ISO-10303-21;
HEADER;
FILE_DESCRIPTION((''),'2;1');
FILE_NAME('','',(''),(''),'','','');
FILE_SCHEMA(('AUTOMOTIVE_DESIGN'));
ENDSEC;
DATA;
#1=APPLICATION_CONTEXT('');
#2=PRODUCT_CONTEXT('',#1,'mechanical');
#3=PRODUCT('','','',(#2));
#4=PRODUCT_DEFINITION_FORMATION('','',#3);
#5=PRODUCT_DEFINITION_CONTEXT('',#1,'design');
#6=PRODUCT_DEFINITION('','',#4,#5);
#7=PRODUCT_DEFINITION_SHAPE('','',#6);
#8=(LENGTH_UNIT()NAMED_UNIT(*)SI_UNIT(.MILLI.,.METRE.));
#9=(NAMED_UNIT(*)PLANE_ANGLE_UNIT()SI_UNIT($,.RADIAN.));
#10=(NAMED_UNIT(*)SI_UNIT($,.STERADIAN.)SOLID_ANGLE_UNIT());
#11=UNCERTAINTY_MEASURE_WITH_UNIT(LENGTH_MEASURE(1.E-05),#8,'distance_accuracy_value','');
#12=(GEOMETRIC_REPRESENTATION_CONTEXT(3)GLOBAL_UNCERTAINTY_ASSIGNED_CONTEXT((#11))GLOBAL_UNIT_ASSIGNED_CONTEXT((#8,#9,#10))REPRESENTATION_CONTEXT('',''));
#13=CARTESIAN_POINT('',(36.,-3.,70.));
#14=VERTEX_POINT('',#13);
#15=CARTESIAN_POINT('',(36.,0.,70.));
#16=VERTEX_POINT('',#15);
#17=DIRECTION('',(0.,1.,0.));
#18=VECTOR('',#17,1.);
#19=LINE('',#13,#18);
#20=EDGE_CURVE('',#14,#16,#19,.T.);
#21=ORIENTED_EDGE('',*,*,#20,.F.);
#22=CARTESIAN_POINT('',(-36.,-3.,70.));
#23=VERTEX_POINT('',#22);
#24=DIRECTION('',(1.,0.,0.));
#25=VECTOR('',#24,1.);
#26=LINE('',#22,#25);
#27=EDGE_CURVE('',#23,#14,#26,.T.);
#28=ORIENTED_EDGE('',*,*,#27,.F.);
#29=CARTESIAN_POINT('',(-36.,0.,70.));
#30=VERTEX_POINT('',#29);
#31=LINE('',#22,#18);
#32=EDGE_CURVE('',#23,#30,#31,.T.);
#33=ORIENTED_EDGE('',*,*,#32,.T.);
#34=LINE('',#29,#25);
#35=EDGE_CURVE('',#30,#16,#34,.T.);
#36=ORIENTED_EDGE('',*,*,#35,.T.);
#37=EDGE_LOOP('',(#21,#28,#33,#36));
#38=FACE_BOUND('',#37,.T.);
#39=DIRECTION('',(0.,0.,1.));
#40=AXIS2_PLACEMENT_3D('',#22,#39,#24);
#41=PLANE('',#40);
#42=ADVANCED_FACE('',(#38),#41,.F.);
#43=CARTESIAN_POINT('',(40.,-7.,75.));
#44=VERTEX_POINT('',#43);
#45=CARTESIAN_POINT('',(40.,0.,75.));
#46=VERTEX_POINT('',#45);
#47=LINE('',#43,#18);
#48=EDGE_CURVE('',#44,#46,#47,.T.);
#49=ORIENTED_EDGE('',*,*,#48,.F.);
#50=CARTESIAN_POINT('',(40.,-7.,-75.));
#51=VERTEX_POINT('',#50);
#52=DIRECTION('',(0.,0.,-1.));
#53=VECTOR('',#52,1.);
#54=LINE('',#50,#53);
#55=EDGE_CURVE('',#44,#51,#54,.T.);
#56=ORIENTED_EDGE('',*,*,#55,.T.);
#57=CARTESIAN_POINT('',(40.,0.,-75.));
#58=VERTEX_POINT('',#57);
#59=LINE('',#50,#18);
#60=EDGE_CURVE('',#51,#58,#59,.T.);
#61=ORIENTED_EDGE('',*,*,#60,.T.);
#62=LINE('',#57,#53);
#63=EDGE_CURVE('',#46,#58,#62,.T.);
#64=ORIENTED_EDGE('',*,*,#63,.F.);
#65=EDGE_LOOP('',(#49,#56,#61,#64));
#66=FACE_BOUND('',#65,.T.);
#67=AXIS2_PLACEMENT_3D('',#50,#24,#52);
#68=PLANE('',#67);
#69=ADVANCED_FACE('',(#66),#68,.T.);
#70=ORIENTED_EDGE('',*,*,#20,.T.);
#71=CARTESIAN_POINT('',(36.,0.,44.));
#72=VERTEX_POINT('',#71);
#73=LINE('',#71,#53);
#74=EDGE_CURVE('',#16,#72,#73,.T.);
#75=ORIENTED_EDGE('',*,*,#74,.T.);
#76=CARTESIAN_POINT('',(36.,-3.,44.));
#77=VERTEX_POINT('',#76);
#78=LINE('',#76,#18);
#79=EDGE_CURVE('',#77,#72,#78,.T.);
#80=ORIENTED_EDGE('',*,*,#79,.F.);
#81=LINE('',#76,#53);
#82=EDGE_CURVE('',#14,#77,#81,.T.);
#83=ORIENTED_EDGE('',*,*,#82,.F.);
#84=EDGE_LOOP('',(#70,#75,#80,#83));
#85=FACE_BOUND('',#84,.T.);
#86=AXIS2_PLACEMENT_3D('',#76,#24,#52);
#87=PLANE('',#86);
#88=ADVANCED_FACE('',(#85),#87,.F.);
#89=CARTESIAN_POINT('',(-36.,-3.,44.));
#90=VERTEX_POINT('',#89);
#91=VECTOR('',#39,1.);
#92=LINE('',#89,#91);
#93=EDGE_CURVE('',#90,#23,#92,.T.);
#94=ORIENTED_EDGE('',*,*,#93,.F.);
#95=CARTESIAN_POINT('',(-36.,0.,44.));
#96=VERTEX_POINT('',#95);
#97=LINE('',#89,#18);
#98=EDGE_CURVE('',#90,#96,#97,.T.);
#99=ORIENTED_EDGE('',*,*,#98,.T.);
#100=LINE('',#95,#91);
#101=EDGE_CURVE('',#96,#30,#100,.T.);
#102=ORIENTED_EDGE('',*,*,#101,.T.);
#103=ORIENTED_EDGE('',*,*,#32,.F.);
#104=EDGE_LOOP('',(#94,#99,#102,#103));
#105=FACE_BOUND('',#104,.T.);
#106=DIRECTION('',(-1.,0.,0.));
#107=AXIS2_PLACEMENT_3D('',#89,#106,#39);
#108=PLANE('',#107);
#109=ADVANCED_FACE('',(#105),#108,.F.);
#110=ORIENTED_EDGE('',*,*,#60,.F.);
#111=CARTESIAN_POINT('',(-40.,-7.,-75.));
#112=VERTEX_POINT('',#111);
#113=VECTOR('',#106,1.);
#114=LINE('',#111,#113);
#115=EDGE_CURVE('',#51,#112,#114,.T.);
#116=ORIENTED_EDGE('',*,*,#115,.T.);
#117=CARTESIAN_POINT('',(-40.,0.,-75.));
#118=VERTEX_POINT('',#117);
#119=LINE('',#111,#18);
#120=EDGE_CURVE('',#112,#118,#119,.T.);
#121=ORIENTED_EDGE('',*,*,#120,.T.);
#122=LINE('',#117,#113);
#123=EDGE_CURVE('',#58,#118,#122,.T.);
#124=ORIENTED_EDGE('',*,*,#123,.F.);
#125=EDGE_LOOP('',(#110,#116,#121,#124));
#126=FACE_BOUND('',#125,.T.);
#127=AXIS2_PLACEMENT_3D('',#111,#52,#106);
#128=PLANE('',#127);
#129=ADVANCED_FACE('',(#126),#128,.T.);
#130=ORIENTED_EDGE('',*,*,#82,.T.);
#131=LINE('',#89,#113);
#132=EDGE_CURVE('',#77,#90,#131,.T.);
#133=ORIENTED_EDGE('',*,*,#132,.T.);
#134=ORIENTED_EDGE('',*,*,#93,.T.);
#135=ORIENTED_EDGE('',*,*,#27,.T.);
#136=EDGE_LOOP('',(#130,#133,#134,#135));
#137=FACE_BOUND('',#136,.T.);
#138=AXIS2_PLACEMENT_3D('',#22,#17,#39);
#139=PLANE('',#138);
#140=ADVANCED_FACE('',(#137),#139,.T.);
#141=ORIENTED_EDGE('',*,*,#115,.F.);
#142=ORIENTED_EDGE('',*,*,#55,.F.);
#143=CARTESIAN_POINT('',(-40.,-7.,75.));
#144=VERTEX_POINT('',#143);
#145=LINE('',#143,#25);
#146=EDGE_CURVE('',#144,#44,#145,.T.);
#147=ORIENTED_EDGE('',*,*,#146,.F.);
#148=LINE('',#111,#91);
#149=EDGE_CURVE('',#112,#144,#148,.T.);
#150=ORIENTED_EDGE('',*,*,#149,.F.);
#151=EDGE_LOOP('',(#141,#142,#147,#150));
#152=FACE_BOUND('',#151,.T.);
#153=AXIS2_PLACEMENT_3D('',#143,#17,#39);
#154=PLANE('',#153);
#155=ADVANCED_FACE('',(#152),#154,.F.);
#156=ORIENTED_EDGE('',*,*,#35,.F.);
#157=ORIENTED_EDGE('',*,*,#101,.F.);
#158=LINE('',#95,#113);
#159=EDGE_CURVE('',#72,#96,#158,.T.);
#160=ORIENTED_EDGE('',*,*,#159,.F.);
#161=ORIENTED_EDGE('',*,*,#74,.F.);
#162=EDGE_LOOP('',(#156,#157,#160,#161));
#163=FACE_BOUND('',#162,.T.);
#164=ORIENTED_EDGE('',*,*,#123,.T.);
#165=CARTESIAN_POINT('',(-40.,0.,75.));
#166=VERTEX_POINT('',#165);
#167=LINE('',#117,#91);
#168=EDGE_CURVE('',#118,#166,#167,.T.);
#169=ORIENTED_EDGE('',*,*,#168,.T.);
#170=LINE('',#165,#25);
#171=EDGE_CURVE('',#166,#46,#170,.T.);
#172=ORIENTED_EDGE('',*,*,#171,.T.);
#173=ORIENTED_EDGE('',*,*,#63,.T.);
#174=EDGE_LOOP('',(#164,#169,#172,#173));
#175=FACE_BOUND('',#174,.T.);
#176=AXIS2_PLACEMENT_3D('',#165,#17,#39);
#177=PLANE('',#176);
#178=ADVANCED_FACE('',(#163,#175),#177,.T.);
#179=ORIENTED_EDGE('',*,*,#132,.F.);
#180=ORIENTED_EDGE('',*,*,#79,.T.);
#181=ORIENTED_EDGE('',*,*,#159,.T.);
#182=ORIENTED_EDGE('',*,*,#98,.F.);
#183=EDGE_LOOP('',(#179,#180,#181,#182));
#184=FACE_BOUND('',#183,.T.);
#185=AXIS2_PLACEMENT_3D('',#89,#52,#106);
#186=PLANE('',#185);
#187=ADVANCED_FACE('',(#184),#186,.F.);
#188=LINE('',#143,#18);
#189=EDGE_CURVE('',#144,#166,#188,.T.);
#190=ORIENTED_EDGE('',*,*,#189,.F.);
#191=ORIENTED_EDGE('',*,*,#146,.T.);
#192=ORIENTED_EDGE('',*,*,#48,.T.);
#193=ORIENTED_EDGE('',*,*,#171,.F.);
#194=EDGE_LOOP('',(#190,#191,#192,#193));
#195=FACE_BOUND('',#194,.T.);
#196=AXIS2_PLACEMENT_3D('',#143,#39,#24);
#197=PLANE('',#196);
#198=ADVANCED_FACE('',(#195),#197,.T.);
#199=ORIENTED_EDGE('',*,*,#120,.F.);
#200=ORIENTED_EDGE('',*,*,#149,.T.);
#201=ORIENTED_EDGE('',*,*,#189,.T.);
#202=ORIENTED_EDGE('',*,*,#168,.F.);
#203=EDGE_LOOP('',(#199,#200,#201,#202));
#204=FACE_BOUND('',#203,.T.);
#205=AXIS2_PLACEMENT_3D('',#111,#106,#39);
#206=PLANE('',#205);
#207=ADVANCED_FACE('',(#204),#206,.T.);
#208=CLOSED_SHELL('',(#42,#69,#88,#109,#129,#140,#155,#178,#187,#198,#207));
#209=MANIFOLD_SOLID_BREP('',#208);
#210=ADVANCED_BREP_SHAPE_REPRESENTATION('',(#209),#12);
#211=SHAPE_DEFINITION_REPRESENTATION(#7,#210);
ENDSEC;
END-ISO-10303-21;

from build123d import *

# Parameters (mm, degrees)
SKETCH1_W      = 80
SKETCH1_H      = 150
EXTRUDE1_DEPTH = 7
SKETCH3_W      = 72
SKETCH3_H      = 26
EXTRUDE2_DEPTH = 3


with BuildPart() as part:
    # Sketch1 → Extrude1 (new body)
    with BuildSketch(Plane(origin=(0, 0, 0), x_dir=(1, 0, 0), z_dir=(0, 1, 0))):
        Rectangle(SKETCH1_W, SKETCH1_H)
    extrude(amount=-EXTRUDE1_DEPTH)

    # Sketch3 → Extrude2 (cut)
    with BuildSketch(Plane(origin=(0, 0, 0), x_dir=(1, 0, 0), z_dir=(0, 1, 0))):
        with Locations((0, -57)):
            Rectangle(SKETCH3_W, SKETCH3_H)
    extrude(amount=-EXTRUDE2_DEPTH, mode=Mode.SUBTRACT)


solid = part.part
